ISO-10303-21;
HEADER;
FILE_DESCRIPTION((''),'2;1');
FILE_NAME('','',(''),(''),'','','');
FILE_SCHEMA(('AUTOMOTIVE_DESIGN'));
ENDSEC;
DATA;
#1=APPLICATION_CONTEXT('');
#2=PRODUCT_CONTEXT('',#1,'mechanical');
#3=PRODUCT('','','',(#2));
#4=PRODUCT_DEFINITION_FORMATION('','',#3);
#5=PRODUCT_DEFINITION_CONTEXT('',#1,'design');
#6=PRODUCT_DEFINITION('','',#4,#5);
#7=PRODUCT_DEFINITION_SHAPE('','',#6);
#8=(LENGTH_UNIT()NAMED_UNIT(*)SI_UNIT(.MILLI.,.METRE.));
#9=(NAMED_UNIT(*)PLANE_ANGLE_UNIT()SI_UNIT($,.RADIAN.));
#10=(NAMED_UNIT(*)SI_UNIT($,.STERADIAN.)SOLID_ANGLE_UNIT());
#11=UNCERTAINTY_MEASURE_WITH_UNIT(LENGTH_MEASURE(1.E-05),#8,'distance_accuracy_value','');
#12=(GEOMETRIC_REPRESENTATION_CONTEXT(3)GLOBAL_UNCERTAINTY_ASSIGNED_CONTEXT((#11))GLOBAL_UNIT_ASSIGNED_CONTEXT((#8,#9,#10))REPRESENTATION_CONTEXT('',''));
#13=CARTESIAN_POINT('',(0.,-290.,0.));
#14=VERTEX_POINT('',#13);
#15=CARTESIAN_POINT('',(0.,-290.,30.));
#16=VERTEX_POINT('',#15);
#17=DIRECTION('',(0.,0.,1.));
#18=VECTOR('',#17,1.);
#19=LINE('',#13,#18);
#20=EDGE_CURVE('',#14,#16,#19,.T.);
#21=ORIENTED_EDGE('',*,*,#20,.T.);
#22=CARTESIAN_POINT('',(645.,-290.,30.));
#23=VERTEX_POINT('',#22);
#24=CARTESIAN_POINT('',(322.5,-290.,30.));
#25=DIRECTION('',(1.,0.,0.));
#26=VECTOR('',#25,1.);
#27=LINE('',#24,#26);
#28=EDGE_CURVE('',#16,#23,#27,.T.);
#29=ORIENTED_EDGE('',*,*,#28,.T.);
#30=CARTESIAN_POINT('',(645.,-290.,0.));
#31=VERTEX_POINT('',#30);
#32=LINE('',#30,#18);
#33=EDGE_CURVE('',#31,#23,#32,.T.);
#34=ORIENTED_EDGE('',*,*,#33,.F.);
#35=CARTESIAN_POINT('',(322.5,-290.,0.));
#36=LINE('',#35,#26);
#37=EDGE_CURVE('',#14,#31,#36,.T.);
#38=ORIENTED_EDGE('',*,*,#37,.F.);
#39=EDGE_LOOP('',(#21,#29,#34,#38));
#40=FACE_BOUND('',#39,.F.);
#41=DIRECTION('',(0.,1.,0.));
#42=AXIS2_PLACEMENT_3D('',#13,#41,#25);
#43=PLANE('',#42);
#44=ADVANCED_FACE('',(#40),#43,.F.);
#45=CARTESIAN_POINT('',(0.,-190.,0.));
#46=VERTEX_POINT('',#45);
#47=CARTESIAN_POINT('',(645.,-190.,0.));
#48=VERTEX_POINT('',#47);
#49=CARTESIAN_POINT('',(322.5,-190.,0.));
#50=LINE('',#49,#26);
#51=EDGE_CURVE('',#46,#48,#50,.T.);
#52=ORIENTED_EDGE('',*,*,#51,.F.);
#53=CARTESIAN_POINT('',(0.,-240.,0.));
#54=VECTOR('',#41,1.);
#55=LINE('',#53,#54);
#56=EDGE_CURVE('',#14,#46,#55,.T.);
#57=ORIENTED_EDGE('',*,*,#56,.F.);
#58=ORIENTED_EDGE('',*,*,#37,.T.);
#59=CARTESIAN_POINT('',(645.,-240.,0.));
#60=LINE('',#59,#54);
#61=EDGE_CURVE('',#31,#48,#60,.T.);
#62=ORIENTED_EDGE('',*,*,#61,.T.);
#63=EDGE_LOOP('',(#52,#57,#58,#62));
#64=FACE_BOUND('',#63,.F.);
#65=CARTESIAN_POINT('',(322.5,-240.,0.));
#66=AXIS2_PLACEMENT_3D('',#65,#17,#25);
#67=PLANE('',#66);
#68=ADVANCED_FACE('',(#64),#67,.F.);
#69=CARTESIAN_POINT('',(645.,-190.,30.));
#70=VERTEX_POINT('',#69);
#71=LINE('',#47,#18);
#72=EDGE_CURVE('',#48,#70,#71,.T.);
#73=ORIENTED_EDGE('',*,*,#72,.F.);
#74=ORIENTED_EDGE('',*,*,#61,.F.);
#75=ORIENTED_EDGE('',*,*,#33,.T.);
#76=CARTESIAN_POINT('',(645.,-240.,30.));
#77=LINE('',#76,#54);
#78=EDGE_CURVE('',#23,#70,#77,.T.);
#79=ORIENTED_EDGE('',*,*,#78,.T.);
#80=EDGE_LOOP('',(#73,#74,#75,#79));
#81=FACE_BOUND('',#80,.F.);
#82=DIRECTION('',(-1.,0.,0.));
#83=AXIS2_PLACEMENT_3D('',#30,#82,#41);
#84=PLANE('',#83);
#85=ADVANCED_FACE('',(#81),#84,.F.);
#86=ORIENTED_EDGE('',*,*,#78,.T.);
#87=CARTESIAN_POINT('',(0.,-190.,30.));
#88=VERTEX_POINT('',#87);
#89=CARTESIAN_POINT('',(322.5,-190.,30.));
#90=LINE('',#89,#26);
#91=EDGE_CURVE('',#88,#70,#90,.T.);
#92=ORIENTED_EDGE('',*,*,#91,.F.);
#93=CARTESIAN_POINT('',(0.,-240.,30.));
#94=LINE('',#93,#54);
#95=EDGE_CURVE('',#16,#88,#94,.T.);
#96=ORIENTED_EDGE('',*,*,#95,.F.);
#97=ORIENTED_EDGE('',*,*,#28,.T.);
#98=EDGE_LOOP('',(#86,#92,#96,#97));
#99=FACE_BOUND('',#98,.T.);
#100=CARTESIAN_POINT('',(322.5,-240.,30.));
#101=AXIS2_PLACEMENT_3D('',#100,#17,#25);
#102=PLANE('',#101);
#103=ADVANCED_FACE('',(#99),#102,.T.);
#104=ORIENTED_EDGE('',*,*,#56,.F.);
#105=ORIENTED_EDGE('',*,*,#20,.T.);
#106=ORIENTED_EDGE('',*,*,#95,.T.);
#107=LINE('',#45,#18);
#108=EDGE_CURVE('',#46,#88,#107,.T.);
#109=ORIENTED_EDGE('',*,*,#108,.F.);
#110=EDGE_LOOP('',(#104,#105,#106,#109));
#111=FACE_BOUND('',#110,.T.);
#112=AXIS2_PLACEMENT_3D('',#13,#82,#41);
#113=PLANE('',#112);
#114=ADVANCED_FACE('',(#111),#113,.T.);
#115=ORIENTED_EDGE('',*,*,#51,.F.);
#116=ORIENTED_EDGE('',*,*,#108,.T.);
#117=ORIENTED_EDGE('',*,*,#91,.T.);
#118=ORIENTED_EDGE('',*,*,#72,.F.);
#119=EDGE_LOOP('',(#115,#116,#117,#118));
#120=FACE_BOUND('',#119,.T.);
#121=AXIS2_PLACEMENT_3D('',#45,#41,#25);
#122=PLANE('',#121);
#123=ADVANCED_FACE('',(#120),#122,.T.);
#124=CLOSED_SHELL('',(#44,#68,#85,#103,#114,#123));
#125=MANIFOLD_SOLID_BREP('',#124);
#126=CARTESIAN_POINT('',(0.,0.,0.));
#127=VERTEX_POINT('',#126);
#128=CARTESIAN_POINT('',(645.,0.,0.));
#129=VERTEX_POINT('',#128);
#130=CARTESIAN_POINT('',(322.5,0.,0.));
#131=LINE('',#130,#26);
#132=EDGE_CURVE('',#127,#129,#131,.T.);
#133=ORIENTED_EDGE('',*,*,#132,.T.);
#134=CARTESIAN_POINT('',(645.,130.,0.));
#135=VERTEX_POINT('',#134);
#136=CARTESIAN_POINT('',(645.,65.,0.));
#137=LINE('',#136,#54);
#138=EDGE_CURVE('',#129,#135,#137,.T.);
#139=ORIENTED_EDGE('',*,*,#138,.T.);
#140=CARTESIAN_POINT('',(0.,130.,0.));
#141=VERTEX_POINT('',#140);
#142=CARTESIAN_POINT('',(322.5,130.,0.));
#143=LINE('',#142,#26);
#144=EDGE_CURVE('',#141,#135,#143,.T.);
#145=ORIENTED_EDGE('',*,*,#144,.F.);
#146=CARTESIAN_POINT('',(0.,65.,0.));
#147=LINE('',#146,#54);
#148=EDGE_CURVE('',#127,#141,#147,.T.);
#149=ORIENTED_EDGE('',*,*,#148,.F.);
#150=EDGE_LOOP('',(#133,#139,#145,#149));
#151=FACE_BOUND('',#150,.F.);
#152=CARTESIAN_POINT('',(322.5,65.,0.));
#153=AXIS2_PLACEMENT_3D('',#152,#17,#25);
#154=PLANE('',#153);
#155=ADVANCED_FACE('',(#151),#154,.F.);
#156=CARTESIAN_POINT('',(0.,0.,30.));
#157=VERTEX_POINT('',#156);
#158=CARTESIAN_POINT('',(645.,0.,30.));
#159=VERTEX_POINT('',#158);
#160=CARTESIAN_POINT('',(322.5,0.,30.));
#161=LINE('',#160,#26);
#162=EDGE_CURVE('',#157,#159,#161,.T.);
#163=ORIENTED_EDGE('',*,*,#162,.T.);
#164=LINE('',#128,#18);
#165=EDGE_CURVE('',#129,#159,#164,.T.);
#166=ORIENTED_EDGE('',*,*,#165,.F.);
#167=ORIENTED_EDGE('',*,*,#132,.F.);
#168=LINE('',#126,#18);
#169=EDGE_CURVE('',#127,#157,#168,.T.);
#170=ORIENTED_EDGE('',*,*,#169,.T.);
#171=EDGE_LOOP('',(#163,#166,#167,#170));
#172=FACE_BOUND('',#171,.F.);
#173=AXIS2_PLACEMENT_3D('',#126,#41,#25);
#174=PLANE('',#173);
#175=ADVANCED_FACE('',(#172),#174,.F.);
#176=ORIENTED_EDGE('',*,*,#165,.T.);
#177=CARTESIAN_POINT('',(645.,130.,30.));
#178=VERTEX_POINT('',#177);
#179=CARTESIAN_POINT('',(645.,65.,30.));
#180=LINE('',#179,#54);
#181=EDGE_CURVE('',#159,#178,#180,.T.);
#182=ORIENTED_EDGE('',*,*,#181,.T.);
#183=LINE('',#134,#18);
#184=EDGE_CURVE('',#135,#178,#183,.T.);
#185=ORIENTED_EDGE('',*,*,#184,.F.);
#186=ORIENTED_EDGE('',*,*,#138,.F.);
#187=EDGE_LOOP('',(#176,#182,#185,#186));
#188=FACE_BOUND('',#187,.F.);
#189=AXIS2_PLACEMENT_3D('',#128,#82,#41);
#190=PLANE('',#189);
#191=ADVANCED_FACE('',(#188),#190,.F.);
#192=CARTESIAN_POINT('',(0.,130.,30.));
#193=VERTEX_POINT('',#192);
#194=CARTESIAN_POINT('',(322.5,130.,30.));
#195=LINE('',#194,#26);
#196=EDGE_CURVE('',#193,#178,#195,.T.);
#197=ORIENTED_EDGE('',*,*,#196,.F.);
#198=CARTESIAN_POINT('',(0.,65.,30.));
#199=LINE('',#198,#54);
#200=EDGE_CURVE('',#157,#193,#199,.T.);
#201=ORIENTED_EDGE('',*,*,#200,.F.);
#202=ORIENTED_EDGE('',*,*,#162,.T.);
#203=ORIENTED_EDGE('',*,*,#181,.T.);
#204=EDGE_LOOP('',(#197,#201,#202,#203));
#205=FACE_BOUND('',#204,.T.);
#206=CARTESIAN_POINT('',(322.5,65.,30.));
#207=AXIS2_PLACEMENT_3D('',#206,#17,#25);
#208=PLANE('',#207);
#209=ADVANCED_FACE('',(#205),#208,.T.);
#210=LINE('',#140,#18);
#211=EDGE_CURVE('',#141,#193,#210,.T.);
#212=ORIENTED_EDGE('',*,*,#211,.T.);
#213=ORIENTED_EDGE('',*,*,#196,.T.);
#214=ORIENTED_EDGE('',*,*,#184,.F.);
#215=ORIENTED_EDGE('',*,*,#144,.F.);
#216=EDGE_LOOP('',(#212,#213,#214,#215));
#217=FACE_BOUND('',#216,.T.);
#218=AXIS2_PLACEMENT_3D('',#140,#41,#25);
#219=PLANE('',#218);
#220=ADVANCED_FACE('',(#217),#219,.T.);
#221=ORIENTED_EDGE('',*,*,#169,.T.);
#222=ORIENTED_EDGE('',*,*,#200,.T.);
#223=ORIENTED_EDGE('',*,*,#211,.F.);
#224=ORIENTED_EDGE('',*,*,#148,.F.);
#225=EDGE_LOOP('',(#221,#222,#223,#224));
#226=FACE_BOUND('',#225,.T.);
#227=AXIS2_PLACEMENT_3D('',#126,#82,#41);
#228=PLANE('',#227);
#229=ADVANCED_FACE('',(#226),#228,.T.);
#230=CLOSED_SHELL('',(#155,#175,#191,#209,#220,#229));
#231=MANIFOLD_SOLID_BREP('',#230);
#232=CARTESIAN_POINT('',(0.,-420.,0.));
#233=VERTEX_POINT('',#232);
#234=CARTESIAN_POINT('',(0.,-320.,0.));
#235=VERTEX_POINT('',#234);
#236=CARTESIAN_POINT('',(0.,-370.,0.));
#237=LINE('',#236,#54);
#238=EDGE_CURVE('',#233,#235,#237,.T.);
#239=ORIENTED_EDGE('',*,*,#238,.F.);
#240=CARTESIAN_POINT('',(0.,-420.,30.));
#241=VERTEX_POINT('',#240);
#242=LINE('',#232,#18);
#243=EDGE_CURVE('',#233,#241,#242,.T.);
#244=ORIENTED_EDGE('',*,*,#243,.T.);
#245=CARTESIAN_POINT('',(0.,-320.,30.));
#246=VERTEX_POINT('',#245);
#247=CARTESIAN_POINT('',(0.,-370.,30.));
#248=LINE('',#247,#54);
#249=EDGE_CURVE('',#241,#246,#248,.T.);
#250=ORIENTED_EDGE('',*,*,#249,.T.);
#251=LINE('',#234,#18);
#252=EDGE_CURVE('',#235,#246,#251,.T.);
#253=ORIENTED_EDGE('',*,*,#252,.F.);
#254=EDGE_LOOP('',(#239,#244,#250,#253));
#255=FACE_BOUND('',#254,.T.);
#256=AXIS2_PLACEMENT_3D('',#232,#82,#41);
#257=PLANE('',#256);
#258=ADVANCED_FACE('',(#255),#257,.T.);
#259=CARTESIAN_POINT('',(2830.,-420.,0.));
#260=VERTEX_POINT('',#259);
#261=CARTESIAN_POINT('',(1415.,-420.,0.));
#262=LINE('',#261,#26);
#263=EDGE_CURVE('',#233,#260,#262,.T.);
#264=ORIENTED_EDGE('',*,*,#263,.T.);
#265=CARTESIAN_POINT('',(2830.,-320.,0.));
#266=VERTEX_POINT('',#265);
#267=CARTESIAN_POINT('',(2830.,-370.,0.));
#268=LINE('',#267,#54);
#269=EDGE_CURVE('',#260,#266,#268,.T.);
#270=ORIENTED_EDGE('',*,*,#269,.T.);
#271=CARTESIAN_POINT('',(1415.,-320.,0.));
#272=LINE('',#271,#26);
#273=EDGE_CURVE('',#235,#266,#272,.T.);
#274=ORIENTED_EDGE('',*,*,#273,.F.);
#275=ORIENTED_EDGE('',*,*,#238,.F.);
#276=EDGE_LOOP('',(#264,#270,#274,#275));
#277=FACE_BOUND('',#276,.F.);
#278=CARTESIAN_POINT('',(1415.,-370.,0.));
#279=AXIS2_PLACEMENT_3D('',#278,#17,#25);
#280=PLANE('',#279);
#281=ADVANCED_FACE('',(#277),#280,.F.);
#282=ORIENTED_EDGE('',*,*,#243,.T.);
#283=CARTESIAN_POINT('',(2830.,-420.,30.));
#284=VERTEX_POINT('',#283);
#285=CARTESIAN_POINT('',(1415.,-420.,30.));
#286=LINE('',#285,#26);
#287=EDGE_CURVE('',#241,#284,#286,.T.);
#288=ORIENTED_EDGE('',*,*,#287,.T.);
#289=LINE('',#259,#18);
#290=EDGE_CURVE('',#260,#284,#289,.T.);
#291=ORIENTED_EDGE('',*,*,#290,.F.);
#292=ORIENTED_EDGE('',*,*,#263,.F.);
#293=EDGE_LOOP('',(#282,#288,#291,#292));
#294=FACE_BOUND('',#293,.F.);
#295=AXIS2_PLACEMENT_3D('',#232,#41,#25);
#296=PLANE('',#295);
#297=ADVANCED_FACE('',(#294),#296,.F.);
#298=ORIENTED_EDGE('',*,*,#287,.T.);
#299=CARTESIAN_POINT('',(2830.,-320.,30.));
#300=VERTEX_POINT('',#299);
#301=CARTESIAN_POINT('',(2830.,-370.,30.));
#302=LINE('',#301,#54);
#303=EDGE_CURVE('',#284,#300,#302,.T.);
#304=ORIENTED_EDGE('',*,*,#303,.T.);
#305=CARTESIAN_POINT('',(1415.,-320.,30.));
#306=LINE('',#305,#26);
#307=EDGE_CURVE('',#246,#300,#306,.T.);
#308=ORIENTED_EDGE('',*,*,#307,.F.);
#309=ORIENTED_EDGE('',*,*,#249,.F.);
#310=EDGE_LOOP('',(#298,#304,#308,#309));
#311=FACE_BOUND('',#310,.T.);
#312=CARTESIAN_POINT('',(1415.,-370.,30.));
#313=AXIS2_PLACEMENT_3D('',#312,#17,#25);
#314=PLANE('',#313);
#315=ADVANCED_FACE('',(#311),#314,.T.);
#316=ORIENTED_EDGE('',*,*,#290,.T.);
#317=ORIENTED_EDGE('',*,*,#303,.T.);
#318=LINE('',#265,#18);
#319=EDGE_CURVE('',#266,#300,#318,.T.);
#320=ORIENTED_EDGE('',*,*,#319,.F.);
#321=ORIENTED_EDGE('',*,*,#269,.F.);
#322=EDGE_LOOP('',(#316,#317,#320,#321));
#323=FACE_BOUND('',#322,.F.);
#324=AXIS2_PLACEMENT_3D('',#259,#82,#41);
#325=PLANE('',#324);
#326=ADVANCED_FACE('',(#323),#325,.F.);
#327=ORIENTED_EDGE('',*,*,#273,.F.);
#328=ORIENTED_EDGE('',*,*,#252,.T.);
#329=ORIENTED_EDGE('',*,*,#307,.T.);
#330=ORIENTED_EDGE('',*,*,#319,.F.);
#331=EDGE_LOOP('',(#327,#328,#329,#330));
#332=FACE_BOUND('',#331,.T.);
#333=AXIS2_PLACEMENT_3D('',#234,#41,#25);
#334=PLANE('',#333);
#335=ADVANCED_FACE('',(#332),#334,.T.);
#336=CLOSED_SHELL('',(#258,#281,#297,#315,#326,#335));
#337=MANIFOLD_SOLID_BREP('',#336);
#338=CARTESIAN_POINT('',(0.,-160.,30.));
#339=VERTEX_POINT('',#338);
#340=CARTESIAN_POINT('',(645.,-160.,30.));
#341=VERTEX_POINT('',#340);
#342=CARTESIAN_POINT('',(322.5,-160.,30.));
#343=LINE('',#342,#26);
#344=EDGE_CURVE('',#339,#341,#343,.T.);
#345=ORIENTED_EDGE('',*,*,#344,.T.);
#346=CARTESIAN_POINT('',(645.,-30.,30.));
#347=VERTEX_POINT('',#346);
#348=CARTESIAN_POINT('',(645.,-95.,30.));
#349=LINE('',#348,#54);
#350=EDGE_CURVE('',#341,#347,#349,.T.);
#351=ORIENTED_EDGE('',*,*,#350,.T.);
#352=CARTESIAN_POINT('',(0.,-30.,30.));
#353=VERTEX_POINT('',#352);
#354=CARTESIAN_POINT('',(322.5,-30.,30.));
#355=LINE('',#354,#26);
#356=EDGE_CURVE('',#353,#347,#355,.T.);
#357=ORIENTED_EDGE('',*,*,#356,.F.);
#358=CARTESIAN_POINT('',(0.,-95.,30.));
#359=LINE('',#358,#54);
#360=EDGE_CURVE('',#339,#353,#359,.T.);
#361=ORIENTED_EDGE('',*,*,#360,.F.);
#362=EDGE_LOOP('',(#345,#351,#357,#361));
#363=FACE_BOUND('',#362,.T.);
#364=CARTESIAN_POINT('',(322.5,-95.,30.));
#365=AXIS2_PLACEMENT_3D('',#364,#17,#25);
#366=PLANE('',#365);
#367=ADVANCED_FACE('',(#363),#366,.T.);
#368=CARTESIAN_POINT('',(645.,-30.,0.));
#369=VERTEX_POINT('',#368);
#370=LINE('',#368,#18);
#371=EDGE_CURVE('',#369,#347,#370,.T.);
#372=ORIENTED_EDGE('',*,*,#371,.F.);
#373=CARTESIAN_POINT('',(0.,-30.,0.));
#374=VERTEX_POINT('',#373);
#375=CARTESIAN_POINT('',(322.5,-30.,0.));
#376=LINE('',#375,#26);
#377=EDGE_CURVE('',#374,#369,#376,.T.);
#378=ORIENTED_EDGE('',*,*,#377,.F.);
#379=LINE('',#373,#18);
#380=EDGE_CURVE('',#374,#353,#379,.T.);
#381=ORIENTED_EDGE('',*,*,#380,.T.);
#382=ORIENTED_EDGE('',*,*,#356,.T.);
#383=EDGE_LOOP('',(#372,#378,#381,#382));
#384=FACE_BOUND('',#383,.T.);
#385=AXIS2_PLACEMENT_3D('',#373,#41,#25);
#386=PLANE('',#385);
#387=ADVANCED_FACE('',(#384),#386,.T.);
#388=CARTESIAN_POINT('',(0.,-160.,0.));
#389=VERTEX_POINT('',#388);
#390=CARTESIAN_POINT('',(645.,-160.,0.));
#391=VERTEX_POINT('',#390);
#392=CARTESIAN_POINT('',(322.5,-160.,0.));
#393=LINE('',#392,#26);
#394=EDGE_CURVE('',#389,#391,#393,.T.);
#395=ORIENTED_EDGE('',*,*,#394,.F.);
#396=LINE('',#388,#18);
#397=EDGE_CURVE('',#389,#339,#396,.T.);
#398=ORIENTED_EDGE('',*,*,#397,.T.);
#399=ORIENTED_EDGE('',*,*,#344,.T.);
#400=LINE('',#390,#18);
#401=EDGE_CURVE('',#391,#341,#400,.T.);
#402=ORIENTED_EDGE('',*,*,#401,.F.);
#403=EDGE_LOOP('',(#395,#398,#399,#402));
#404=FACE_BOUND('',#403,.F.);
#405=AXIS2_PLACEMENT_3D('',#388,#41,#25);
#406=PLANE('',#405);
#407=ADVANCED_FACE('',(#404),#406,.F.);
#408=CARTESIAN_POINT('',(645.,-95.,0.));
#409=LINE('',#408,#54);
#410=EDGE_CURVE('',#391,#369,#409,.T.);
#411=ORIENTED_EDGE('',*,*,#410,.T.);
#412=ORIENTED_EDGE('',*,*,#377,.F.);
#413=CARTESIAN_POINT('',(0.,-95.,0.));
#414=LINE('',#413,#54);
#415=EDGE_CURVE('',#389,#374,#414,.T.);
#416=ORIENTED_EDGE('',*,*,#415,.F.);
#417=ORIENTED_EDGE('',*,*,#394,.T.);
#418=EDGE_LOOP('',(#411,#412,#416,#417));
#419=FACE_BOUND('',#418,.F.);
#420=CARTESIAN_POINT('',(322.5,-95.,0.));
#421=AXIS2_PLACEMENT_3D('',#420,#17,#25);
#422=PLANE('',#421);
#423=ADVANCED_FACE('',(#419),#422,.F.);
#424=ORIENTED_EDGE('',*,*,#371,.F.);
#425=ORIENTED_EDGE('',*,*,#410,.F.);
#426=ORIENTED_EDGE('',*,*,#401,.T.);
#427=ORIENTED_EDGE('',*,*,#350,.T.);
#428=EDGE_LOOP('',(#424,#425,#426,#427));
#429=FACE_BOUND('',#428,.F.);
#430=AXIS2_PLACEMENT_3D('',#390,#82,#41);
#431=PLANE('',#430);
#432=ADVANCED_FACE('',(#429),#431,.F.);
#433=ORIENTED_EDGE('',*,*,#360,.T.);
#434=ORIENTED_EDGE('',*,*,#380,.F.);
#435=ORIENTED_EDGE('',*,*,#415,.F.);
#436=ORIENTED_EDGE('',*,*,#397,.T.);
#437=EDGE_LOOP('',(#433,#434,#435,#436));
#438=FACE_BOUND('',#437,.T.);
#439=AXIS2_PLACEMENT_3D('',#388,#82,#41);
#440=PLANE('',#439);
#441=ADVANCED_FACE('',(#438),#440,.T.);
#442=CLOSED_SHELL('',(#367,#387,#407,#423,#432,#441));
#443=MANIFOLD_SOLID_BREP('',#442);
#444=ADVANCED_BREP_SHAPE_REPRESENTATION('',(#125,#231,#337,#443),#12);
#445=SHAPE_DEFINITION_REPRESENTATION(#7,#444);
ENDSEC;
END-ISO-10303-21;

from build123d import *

# Parameters (mm, degrees)
F0_W     = 645
F0_H     = 130
F0_H_2   = 100
F0_W_2   = 2830
F1_DEPTH = 30


with BuildPart() as f1:
    # F0 (on Top) → F1 (new body)
    with BuildSketch(Plane.XY):
        with Locations((322.5, 65)):
            Rectangle(F0_W, F0_H)
        with Locations((322.5, -95)):
            Rectangle(F0_W, F0_H)
        with Locations((322.5, -240)):
            Rectangle(F0_W, F0_H_2)
        with Locations((1415, -370)):
            Rectangle(F0_W_2, F0_H_2)
    extrude(amount=F1_DEPTH)


solid = f1.part
